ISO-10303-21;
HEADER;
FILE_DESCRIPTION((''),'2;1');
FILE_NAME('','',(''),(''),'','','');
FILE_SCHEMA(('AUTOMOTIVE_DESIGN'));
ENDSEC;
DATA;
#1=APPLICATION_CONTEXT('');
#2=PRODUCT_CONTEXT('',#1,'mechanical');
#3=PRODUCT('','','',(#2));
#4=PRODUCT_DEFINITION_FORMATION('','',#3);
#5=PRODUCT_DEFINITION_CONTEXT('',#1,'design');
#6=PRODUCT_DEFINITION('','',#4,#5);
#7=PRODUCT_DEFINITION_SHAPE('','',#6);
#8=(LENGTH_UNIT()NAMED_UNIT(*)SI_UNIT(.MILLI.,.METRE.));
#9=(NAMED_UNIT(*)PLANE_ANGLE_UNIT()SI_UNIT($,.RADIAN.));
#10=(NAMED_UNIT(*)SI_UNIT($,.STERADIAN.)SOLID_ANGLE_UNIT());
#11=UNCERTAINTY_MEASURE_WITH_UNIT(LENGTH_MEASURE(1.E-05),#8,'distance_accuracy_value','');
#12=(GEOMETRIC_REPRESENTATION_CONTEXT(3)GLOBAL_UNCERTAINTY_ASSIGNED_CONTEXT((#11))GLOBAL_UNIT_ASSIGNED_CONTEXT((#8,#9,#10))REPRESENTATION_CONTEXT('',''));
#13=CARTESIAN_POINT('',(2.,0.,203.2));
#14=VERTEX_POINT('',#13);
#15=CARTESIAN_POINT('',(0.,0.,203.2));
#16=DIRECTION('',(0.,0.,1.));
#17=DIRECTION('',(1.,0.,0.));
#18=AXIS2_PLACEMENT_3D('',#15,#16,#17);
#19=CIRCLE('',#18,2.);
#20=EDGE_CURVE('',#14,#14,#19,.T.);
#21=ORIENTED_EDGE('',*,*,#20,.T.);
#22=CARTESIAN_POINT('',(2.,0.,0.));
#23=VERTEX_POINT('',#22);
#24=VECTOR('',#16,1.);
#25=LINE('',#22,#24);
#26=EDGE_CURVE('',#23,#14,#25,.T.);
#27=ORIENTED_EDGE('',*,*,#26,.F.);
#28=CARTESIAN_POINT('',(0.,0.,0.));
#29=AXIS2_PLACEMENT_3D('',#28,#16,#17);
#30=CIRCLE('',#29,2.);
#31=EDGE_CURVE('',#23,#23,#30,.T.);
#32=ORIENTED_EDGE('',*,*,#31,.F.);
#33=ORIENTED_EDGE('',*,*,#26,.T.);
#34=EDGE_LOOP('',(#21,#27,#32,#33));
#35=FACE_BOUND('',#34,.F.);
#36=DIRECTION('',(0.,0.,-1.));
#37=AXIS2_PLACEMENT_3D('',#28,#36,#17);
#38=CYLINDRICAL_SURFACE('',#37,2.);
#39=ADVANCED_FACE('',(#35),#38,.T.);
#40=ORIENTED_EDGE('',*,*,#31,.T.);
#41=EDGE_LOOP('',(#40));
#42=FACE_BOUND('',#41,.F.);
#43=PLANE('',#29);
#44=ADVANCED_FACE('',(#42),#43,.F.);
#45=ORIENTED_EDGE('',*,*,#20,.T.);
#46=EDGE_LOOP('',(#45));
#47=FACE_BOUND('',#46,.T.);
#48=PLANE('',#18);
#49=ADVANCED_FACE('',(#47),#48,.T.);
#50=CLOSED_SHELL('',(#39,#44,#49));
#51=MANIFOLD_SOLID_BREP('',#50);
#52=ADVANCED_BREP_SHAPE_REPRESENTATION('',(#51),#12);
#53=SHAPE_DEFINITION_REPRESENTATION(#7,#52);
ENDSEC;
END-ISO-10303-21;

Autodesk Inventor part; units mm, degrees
ref_plane "YZ Plane" through (0, 0, 0) normal (1, 0, 0) x (0, 1, 0)
ref_plane "XZ Plane" through (0, 0, 0) normal (0, 1, 0) x (-1, 0, 0)
ref_plane "XY Plane" through (0, 0, 0) normal (0, 0, 1) x (1, 0, 0)
sketch "Sketch1" plane through (0, 0, 0) normal (0, 0, 1) x (1, 0, 0)
  circle A0 centre (0, 0) radius 2
  dimension "d0" = 4
extrude "Extrusion1" add sketch "Sketch1" along normal blind 203.2
properties part number "aluminum rod" material "Aluminum 6061"
